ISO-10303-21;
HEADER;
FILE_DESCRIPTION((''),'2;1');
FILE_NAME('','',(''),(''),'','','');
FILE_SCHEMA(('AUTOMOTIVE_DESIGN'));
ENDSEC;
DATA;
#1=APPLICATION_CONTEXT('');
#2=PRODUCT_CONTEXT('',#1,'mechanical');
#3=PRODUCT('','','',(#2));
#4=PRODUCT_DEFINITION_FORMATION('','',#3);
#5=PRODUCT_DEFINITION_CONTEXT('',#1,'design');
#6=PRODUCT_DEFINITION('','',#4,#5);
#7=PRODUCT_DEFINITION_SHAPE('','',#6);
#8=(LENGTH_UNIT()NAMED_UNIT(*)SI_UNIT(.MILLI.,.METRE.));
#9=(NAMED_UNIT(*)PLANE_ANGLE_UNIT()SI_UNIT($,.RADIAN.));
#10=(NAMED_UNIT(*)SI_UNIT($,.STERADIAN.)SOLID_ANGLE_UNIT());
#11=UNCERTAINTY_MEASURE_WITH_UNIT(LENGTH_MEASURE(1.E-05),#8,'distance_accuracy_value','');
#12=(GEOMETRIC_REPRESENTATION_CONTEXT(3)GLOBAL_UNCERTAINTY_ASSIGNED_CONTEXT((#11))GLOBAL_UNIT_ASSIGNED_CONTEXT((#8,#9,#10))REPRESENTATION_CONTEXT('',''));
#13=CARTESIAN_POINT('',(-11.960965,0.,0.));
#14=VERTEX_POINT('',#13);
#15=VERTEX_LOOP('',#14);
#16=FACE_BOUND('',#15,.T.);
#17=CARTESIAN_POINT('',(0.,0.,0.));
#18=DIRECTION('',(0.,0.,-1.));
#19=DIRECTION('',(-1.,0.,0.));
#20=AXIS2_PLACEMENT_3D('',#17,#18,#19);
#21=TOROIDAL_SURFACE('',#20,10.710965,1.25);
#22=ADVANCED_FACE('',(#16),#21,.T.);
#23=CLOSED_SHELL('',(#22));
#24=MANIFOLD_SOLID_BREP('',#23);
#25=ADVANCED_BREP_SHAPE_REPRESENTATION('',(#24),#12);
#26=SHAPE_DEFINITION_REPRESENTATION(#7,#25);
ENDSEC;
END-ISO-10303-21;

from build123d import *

# Parameters (mm, degrees)
ESBO_O6_R = 1.25


with BuildPart() as part:
    # Esboço6 → Revolução1 (revolve)
    with BuildSketch(Plane(origin=(0, 0, 0), x_dir=(1, 0, 0), z_dir=(0, 1, 0)), mode=Mode.PRIVATE) as revolu_o1_sk:
        with Locations((10.710965158, 0)):
            Circle(ESBO_O6_R)
    revolve(revolu_o1_sk.sketch.rotate(Axis((0, 0, -2.043680535), (0, 0, 1)), 180), axis=Axis((0, 0, -2.043680535), (0, 0, 1)))


solid = part.part
